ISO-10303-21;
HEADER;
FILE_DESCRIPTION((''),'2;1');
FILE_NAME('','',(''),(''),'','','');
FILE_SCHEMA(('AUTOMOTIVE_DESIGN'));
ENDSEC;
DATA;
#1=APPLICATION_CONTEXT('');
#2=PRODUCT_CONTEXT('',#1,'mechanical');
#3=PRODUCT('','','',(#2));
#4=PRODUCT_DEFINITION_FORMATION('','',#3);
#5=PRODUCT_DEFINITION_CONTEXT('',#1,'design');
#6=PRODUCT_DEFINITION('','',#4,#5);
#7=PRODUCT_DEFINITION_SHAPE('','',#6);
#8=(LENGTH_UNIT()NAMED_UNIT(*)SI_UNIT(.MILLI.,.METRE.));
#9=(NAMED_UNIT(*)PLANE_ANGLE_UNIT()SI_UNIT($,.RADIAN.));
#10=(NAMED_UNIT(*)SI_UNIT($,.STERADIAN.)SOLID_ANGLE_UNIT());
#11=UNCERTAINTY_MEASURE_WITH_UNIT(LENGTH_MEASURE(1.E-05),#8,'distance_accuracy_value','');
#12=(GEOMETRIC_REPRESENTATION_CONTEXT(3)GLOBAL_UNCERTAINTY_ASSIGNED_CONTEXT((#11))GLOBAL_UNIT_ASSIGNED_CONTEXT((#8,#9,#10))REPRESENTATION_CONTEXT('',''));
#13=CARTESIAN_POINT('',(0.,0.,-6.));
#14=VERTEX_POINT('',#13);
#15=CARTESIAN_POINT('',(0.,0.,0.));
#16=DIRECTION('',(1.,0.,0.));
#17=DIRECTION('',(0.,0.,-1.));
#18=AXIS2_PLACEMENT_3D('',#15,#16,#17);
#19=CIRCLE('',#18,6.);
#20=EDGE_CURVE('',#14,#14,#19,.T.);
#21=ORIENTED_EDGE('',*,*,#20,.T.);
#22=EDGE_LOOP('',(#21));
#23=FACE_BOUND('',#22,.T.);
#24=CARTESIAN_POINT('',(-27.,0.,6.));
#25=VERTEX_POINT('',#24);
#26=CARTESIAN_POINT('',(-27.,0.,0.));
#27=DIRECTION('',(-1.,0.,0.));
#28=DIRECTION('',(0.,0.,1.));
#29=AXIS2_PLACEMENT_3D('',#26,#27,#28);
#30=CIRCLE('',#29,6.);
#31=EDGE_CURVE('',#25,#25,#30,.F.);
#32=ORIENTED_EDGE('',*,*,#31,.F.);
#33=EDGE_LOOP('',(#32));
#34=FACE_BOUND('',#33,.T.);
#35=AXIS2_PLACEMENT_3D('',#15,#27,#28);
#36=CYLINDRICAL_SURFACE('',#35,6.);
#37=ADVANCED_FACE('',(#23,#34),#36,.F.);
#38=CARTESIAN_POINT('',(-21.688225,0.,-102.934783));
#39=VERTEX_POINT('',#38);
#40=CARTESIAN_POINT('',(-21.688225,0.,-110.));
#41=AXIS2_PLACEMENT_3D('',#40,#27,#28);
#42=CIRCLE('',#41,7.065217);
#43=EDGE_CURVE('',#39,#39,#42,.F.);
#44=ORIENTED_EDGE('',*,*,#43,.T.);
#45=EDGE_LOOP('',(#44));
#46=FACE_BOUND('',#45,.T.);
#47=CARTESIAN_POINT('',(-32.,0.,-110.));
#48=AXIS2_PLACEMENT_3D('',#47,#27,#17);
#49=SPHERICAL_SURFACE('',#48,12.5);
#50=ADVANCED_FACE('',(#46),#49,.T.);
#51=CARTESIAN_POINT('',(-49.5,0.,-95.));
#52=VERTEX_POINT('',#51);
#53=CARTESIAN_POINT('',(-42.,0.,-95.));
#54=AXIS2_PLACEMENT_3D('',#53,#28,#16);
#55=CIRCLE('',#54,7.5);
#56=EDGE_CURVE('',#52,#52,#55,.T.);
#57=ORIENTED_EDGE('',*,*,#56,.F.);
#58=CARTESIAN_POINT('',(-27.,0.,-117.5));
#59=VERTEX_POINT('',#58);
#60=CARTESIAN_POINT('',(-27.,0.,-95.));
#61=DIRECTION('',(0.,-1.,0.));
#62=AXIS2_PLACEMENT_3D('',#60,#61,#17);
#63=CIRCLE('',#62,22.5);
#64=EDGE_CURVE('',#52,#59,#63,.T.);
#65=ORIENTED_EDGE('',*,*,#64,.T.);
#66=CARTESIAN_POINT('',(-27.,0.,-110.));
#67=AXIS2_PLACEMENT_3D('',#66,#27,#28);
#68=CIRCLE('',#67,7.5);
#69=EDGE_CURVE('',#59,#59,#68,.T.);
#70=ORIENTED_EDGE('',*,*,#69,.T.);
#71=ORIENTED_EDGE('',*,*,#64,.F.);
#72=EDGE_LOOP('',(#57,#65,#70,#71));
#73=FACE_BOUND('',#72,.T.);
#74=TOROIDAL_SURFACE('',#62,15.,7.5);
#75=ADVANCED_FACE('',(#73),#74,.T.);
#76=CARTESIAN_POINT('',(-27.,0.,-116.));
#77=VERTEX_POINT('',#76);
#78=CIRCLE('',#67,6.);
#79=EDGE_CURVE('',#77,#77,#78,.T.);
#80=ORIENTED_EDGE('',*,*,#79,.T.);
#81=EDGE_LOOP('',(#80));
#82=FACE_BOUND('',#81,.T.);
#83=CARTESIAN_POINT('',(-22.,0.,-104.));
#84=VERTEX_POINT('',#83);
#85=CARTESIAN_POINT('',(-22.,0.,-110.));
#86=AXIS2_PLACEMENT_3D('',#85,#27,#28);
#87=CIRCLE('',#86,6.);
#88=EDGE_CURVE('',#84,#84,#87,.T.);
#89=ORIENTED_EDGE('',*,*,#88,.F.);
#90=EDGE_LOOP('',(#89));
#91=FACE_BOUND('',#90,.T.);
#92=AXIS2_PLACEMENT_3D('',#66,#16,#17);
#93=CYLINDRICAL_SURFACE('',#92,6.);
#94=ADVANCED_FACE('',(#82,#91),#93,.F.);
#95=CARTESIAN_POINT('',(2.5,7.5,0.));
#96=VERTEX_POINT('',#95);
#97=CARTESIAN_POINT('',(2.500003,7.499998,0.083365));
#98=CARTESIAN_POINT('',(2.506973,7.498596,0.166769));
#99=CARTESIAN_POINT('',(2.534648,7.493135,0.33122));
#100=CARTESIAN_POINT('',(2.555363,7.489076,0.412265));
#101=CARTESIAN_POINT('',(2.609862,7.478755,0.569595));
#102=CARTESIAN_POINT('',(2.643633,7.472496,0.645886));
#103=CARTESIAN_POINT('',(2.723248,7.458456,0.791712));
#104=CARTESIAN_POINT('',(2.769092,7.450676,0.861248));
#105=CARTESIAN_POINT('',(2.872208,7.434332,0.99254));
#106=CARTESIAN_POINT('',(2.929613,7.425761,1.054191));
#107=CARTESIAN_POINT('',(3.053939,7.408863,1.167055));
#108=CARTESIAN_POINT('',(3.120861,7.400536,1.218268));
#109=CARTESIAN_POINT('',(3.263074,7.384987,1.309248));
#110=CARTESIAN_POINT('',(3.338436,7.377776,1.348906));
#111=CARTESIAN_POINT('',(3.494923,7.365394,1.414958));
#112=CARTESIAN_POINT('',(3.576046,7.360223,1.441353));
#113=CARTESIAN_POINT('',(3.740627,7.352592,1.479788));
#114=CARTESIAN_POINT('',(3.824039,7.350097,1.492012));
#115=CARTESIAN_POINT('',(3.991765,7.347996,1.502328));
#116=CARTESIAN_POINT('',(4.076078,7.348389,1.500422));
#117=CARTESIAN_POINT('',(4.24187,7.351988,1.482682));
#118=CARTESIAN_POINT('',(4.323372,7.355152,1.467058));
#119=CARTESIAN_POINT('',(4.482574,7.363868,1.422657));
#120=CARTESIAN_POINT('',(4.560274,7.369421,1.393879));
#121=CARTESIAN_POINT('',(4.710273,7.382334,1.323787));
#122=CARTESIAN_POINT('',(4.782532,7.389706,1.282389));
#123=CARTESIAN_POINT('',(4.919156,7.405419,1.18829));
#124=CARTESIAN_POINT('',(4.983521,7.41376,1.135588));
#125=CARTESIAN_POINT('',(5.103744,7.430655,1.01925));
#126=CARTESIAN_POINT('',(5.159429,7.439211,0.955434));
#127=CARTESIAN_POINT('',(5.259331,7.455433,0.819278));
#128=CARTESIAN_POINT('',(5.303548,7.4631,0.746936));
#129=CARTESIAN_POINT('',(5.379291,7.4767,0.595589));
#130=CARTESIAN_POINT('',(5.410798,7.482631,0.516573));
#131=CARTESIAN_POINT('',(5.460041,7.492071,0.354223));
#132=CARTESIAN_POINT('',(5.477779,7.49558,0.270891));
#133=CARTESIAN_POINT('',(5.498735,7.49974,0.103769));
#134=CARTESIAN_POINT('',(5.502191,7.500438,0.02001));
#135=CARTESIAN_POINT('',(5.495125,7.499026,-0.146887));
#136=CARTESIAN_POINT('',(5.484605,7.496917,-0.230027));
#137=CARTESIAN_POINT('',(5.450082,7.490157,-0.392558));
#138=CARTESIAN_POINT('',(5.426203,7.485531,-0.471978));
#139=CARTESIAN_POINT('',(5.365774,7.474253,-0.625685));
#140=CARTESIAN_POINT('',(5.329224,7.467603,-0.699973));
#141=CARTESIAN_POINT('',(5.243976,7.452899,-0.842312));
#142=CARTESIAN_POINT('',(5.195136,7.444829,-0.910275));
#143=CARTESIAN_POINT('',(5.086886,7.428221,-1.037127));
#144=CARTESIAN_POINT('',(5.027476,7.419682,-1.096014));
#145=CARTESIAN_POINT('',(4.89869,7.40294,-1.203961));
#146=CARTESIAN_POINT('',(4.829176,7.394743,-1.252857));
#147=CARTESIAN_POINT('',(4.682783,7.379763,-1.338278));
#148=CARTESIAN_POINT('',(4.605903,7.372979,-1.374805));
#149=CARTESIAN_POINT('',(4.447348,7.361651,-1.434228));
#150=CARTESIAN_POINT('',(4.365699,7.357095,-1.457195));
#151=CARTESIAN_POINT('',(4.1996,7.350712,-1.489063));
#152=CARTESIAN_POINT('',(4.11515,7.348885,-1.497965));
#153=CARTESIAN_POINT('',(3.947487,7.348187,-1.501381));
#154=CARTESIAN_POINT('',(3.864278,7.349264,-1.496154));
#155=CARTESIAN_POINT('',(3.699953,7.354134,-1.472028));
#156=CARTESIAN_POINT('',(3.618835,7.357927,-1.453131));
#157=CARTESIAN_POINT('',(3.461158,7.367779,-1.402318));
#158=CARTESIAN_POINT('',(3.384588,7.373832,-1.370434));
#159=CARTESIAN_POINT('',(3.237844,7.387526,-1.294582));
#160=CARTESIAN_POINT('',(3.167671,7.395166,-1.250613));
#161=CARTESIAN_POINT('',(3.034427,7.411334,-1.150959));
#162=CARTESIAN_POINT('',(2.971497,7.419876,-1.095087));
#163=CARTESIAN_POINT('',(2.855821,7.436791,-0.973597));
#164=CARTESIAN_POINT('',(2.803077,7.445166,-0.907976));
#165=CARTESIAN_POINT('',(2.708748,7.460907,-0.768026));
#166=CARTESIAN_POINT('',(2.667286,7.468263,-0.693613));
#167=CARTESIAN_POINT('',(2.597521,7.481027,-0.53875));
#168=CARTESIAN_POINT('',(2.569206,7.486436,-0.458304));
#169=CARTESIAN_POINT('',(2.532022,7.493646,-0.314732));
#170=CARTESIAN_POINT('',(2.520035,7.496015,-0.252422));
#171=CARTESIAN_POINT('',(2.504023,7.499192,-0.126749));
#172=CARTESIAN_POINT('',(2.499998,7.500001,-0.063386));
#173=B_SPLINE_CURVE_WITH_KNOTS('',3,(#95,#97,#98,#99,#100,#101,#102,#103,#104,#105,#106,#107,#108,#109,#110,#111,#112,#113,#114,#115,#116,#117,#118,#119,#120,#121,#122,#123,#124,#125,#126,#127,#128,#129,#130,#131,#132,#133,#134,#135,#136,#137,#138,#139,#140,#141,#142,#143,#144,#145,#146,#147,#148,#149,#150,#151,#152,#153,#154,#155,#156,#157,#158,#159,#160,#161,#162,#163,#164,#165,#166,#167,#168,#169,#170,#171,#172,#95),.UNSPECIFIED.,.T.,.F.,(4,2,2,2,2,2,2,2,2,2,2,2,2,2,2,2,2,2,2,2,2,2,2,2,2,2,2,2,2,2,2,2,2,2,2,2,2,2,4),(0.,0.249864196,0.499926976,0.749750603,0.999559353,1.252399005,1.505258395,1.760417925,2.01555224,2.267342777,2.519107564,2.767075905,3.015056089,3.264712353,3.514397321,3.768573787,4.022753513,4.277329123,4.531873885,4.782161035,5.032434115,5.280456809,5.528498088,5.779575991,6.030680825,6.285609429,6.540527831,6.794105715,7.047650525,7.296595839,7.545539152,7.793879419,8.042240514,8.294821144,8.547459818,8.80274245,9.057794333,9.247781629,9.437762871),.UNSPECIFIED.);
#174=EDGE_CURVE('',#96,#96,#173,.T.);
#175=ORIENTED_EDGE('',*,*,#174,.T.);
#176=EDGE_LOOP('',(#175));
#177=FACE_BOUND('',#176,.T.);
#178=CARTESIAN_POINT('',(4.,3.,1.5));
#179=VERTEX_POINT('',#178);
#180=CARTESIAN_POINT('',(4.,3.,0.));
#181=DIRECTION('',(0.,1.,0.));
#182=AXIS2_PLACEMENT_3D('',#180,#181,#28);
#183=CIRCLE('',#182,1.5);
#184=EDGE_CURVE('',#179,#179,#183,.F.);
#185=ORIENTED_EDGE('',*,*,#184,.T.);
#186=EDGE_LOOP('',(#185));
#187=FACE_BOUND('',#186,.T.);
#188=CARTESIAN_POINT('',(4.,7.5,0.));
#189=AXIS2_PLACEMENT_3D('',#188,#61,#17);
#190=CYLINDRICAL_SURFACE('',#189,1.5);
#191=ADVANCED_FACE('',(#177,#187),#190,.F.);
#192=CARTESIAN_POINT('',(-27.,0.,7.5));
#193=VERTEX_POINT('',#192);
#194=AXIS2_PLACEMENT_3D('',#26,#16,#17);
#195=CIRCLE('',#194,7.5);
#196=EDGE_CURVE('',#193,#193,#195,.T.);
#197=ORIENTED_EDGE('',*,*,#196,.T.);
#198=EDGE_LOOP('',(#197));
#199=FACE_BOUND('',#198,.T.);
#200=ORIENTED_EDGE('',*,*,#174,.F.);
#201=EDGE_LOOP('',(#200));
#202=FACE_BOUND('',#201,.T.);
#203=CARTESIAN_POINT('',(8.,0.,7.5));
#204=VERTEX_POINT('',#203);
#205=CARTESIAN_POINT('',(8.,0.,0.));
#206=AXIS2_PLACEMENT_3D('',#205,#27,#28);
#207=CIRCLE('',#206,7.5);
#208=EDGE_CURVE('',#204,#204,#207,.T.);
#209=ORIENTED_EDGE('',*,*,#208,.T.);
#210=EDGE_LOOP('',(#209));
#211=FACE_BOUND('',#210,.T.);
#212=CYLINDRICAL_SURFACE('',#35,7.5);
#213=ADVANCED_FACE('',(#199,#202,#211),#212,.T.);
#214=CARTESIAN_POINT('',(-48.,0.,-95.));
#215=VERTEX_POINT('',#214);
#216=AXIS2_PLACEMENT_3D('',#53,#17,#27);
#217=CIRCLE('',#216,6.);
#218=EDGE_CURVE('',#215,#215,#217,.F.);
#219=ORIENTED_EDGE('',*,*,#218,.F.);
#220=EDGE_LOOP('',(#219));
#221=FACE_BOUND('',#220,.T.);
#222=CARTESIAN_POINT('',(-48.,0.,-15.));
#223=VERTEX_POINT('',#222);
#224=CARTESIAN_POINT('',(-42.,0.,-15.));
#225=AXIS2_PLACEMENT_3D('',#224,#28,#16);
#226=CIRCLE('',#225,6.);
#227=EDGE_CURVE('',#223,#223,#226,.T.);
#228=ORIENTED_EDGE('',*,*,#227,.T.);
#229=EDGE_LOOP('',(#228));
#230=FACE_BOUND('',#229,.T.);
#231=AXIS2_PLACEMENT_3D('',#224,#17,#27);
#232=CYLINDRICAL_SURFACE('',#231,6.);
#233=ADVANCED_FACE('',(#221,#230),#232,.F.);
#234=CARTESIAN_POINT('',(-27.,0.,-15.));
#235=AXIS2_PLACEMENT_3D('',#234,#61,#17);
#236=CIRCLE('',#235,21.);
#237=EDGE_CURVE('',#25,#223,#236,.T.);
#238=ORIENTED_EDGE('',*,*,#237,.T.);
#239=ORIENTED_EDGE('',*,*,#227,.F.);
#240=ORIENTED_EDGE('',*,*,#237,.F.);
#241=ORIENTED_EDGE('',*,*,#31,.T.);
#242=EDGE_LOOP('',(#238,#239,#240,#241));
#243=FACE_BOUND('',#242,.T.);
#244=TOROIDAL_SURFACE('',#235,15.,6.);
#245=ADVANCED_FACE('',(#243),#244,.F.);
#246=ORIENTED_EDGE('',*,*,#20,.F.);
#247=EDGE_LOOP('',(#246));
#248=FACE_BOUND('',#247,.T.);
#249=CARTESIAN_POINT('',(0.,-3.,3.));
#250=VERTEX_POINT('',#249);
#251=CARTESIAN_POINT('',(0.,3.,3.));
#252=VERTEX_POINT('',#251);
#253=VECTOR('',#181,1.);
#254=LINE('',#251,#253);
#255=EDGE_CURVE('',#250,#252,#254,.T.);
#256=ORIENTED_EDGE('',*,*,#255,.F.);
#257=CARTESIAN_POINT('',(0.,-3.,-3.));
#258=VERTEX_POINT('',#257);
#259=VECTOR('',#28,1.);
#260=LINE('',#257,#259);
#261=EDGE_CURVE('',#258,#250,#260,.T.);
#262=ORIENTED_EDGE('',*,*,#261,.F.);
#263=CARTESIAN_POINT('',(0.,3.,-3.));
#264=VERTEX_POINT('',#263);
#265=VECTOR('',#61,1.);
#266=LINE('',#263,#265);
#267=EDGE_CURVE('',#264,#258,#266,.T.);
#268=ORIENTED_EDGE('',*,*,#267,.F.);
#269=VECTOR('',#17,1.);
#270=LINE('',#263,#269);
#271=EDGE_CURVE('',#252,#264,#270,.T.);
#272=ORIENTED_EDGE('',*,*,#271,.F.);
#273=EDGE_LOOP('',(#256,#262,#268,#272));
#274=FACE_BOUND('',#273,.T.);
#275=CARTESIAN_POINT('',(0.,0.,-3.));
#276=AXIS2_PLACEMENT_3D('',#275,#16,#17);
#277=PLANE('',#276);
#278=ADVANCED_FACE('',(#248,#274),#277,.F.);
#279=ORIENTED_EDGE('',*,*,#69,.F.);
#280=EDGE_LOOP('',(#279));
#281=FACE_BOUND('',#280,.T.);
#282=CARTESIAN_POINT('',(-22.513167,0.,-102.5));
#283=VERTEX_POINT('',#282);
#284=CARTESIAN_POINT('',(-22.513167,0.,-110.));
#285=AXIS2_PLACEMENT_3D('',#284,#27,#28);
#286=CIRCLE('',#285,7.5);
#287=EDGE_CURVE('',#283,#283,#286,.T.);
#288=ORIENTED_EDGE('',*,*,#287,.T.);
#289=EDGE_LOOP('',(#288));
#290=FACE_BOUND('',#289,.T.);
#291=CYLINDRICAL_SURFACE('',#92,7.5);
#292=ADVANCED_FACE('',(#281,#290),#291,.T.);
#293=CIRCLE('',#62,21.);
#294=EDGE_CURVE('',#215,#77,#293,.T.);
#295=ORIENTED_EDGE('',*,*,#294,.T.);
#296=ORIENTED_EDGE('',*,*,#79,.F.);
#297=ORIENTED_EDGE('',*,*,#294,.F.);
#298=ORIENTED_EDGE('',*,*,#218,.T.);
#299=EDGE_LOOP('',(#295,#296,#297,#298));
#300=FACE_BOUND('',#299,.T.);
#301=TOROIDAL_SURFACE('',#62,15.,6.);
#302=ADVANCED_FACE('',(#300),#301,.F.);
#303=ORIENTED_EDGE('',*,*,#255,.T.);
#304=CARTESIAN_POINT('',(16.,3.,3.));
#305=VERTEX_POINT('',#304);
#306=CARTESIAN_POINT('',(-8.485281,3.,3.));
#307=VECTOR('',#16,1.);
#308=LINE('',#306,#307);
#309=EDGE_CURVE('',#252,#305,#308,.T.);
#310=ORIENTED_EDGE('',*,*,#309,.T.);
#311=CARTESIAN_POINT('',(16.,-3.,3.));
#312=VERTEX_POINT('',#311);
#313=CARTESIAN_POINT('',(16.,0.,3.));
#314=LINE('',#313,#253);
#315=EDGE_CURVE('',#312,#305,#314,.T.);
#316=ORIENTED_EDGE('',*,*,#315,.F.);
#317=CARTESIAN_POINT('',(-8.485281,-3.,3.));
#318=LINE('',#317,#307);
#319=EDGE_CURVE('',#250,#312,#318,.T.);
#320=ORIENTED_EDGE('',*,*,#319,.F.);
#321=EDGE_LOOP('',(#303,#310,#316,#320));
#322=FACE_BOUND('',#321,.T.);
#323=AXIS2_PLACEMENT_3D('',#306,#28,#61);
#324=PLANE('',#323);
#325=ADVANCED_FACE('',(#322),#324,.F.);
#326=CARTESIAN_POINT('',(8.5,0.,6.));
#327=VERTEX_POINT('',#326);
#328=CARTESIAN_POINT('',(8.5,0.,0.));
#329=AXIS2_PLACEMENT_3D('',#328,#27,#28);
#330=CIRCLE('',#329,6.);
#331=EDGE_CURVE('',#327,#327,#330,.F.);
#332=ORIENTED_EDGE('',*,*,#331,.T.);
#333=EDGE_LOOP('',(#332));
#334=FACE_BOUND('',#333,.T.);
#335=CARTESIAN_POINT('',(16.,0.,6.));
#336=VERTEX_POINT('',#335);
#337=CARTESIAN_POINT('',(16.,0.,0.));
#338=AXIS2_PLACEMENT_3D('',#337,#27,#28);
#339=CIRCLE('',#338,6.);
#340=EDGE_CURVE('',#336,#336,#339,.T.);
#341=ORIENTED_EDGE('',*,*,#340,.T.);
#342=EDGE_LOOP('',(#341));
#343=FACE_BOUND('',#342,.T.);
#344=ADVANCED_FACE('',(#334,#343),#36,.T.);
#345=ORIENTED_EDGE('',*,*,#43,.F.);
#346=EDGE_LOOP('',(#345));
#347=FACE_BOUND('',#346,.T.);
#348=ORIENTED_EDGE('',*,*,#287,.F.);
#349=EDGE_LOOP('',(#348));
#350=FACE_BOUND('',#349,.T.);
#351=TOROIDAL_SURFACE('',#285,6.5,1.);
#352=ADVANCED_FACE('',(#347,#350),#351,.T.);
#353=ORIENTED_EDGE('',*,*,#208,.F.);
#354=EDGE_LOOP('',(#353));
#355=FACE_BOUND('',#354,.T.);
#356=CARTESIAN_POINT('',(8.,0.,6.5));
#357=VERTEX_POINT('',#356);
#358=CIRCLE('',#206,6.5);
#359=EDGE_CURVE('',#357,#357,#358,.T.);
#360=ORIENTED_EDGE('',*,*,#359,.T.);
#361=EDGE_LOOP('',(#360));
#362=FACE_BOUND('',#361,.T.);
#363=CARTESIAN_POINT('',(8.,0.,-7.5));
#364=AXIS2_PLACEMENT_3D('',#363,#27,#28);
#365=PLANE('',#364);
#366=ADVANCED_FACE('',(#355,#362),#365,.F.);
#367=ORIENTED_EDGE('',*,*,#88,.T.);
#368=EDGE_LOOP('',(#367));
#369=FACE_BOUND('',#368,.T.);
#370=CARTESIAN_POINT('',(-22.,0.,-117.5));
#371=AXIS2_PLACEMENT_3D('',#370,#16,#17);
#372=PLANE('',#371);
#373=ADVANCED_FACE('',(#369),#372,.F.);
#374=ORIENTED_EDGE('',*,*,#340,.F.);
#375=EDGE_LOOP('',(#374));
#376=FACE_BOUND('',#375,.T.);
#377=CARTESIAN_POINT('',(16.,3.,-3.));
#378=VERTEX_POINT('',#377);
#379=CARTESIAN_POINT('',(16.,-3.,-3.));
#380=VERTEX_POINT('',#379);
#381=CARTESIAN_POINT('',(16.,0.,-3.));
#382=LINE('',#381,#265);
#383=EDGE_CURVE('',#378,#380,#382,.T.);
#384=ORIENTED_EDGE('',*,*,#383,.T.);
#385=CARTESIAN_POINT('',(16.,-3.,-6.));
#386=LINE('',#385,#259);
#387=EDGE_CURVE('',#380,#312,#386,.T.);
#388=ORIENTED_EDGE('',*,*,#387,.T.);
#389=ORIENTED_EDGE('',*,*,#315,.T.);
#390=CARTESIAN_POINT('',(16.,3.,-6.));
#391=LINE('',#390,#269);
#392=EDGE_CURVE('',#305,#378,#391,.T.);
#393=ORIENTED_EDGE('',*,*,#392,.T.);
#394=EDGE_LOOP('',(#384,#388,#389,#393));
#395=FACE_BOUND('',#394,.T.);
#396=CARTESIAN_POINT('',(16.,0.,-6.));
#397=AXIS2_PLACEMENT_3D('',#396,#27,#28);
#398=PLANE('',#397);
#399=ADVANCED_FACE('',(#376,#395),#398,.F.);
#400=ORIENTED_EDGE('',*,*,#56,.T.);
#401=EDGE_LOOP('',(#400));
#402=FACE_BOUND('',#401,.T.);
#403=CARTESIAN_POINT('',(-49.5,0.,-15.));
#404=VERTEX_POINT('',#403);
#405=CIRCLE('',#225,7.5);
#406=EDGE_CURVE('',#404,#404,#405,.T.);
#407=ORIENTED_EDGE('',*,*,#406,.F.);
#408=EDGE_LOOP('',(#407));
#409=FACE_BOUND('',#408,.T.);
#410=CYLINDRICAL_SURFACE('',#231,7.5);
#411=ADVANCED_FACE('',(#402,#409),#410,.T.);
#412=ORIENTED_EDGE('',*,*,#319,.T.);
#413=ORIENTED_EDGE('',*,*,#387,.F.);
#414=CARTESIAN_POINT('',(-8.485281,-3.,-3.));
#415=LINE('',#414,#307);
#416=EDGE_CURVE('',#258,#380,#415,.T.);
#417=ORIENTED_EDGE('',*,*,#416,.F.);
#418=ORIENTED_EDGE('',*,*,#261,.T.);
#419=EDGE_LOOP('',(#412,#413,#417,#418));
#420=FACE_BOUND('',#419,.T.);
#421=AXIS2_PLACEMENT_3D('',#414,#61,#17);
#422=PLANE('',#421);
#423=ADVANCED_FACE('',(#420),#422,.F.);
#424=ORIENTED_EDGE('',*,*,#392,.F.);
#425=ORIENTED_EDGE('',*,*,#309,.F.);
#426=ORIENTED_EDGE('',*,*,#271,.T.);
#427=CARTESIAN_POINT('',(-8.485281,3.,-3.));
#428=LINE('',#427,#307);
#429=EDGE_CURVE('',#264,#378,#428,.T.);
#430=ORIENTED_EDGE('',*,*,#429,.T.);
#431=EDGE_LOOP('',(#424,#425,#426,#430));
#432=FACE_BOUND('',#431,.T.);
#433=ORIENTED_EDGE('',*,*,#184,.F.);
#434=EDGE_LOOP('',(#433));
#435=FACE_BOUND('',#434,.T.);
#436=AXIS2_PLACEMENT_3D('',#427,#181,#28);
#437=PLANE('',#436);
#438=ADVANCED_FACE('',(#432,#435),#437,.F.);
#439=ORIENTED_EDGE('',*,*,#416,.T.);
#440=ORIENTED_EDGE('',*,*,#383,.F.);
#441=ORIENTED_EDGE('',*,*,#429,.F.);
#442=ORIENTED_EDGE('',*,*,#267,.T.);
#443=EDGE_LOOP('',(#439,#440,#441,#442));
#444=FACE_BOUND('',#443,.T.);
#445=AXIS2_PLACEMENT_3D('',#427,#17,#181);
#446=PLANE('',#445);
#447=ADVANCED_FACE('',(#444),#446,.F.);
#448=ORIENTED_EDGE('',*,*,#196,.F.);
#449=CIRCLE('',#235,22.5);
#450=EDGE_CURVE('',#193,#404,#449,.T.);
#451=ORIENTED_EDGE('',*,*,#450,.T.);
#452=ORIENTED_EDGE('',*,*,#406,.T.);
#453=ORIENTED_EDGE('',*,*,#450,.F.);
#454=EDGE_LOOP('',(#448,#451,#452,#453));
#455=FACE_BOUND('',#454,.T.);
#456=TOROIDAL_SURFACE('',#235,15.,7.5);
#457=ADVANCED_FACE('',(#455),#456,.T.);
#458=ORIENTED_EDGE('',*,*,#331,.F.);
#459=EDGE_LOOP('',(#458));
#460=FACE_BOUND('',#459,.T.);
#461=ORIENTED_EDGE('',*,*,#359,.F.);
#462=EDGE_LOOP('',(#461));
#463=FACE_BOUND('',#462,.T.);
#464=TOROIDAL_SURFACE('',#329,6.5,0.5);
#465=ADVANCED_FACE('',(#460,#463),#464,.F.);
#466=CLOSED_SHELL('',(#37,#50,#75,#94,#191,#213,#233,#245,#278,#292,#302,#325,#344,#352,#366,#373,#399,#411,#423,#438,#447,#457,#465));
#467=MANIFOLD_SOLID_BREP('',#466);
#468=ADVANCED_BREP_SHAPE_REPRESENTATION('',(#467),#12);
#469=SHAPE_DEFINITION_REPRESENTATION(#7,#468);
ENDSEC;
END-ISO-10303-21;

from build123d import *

# Parameters (mm, degrees)
SWEEP_THIN1_PROFILE_R   = 7.5
SWEEP_THIN1_PROFILE_R_2 = 6
CUT_EXTRUDE1_DEPTH      = 135.732141815
CUT_EXTRUDE1_DEPTH_BACK = 16
SKETCH65_W              = 6
SKETCH65_H              = 6
FILLET1_R               = 0.5
SKETCH66_R              = 1.5
CUT_EXTRUDE2_DEPTH      = 128.721376578
FILLET2_R               = 1


with BuildPart() as part:
    # Sweep-Thin1: sweep along a path in Sketch1
    with BuildLine(Plane(origin=(0, 0, 0), x_dir=(1, 0, 0), z_dir=(0, 1, 0))) as sweep_thin1_path:
        Line((0, 0), (-27, 0))
        ThreePointArc((-27, 0), (-37.606601718, 4.393398282), (-42, 15))
        Line((-42, 15), (-42, 95))
        ThreePointArc((-42, 95), (-37.606601718, 105.606601718), (-27, 110))
        Line((-27, 110), (-22, 110))
    # Sweep-Thin1 profile (on start of the path) → Sweep-Thin1 (sweep)
    with BuildSketch(Plane(origin=(0, 0, 0), x_dir=(0, 0, -1), z_dir=(-1, 0, 0))):
        Circle(SWEEP_THIN1_PROFILE_R)
        Circle(SWEEP_THIN1_PROFILE_R_2, mode=Mode.SUBTRACT)
    sweep(path=sweep_thin1_path.line)

    # Sketch63 → Revolve1 (revolve)
    with BuildSketch(Plane(origin=(0, 0, 0), x_dir=(1, 0, 0), z_dir=(0, 1, 0))):
        with BuildLine():
            Line((-22, 110), (-19.5, 110))
            ThreePointArc((-19.5, 110), (-20.141458774, 113.952847075), (-22, 117.5))
            Line((-22, 117.5), (-22, 110))
        make_face()
    revolve(axis=Axis((-22, 0, -110), (1, 0, 0)))

    # Sketch64 → Revolve3 (revolve)
    with BuildSketch(Plane(origin=(0, 0, 0), x_dir=(1, 0, 0), z_dir=(0, 1, 0)), mode=Mode.PRIVATE) as revolve3_sk:
        Polygon((0, 3), (0, 7.5), (8, 7.5), (8, 6), (16, 6), (16, 3), align=None)
    revolve(revolve3_sk.sketch.rotate(Axis((0, 0, 0), (1, 0, 0)), 180), axis=Axis((0, 0, 0), (1, 0, 0)))

    # Sketch65 → Cut-Extrude1 (cut, two sides: drawn at the far end of the back side and taken through both)
    with BuildSketch(Plane(origin=(16, 0, 0), x_dir=(0, 0, -1), z_dir=(1, 0, 0)).offset(-CUT_EXTRUDE1_DEPTH_BACK)):
        Rectangle(SKETCH65_W, SKETCH65_H)
    extrude(amount=CUT_EXTRUDE1_DEPTH + CUT_EXTRUDE1_DEPTH_BACK, mode=Mode.SUBTRACT)

    # Fillet1
    fillet1_edges = [part.edges().sort_by_distance(p)[0] for p in [
        (8, 0, -6),
    ]]
    fillet(fillet1_edges, radius=FILLET1_R)

    # Sketch66 → Cut-Extrude2 (cut, through all)
    with BuildSketch(Plane(origin=(0, 0, 0), x_dir=(1, 0, 0), z_dir=(0, 1, 0))):
        with Locations(Location((4, 0, 0), (0, 0, 180))):
            Circle(SKETCH66_R)
    extrude(amount=CUT_EXTRUDE2_DEPTH, mode=Mode.SUBTRACT)

    # Fillet2
    fillet2_edges = [part.edges().sort_by_distance(p)[0] for p in [
        (-22, -7.5, -110),
    ]]
    fillet(fillet2_edges, radius=FILLET2_R)


solid = part.part
